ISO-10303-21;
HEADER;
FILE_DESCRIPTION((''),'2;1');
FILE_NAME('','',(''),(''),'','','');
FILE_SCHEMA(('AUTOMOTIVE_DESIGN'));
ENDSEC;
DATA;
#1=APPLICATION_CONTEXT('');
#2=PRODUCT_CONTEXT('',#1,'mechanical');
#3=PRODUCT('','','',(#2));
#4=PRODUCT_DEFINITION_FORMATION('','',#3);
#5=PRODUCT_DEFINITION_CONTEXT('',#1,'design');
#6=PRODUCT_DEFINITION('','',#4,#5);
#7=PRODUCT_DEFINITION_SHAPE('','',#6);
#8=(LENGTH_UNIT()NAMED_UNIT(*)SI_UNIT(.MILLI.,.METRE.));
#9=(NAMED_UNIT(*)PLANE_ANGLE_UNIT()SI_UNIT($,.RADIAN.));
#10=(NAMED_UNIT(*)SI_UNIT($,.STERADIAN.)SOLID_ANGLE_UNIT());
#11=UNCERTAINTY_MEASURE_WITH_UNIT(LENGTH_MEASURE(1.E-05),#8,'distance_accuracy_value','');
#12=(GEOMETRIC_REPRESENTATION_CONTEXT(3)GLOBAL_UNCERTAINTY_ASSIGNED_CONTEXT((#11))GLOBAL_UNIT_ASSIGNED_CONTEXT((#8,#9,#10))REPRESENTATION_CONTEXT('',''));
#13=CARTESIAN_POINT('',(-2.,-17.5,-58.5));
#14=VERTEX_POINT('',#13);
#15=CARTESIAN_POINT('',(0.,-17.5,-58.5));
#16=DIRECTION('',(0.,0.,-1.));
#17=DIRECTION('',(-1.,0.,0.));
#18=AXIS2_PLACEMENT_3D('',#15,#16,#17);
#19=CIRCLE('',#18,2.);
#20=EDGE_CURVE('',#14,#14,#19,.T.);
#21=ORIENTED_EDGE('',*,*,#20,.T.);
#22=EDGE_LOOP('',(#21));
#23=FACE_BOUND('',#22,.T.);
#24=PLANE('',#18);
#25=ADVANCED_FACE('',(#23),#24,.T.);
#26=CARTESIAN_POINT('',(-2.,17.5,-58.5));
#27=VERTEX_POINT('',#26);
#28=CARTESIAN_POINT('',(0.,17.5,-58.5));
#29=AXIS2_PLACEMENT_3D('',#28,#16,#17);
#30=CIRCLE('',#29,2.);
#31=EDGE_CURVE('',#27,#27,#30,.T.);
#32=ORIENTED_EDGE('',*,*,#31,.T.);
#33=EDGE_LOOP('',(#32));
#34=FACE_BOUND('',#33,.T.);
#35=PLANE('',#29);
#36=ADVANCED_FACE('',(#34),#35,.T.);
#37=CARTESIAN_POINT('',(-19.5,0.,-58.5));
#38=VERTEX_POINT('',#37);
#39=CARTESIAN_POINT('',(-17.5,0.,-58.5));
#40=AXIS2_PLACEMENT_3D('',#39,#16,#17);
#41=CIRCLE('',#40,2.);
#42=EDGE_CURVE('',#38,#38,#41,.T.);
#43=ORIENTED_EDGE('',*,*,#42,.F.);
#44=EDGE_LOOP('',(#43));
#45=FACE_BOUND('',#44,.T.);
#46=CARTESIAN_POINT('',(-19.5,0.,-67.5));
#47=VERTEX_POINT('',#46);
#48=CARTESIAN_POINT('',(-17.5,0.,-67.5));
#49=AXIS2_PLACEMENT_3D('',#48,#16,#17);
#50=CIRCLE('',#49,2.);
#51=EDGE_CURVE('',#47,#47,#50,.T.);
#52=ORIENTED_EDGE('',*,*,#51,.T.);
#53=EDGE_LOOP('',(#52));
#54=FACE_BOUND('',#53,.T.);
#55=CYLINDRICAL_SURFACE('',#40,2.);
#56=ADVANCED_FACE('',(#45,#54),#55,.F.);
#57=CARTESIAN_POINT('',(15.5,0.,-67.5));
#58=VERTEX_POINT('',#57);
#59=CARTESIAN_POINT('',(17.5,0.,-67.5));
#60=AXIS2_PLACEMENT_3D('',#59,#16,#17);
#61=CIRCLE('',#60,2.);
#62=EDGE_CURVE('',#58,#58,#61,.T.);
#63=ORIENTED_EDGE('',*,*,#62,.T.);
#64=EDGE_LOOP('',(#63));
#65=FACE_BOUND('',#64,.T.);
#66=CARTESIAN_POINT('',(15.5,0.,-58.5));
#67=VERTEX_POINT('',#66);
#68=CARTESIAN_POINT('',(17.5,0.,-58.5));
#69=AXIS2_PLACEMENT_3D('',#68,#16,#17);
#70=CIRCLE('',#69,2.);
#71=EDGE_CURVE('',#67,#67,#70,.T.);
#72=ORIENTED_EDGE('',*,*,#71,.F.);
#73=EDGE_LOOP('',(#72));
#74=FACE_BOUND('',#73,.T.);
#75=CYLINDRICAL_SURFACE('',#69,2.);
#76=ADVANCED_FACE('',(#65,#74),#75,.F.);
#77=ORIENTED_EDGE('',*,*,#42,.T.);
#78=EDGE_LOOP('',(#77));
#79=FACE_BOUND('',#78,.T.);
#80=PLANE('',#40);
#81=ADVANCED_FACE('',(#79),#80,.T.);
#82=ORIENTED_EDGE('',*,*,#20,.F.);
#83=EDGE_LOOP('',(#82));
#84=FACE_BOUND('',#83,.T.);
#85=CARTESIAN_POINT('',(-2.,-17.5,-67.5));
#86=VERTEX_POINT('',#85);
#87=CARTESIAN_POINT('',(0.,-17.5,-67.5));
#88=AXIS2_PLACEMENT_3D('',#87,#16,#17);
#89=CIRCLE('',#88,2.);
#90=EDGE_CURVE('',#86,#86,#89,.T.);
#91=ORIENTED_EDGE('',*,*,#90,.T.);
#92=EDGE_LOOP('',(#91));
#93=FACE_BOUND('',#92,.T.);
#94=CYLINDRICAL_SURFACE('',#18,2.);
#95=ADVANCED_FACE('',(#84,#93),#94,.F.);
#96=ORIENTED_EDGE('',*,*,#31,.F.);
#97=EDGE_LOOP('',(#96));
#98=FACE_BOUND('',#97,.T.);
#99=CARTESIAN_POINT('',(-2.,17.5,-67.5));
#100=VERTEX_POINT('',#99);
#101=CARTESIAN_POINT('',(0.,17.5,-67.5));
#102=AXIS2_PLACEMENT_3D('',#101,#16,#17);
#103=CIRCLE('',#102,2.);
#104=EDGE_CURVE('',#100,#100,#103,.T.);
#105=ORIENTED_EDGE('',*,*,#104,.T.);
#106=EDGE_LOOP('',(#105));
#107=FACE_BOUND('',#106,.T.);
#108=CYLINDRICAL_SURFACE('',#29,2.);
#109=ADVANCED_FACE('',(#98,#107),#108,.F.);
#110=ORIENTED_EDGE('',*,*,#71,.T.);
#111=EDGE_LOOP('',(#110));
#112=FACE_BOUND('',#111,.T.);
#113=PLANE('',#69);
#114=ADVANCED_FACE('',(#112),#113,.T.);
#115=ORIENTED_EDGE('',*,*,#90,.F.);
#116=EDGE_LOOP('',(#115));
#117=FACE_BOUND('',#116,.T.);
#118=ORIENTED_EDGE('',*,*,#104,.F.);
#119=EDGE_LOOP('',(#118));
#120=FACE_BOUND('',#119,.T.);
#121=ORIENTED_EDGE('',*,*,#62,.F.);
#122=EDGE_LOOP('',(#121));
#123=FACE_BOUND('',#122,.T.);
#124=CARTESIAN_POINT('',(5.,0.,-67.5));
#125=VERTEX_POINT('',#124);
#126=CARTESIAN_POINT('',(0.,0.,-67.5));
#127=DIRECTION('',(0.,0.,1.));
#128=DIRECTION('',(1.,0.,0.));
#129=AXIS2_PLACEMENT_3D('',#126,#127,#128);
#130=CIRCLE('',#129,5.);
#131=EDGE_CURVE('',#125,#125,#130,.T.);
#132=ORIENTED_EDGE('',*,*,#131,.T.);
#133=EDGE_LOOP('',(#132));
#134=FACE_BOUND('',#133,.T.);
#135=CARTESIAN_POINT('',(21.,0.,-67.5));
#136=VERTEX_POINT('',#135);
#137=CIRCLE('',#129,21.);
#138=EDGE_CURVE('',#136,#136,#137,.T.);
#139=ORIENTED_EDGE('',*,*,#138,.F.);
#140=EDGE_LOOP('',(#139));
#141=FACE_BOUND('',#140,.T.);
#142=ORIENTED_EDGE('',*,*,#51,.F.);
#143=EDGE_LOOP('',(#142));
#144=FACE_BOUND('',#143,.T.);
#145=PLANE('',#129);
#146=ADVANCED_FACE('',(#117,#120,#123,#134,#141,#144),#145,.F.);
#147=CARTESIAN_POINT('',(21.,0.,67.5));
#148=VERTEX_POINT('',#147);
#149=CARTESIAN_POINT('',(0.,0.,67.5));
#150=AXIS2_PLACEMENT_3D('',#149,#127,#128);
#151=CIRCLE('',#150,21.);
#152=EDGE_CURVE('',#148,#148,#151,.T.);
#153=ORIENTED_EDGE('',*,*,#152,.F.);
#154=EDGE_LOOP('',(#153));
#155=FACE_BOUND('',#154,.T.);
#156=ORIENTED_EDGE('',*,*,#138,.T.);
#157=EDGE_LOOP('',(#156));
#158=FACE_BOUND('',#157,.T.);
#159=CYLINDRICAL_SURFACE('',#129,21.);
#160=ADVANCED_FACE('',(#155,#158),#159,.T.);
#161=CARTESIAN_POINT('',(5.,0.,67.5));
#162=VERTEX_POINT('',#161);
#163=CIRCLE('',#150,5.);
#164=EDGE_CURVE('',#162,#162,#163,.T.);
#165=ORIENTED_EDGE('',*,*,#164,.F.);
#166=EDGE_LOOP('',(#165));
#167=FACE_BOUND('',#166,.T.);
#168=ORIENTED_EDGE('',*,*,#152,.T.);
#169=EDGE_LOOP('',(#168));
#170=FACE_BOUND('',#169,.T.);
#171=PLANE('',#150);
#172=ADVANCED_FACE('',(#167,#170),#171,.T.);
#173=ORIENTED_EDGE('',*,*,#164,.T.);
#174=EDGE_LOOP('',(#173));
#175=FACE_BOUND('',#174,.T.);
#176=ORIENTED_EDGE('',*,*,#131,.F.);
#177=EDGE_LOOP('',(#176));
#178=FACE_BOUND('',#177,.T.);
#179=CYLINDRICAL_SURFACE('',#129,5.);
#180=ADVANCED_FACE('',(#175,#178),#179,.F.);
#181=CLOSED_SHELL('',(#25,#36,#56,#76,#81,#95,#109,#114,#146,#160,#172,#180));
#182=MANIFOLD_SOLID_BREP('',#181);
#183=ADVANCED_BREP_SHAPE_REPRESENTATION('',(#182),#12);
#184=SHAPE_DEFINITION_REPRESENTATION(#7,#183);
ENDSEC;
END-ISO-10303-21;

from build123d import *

# Parameters (mm, degrees)
BOSS_EXTRUDE1_DEPTH      = 67.5
BOSS_EXTRUDE1_DEPTH_BACK = 67.5
SKETCH2_R                = 21
SKETCH3_R                = 5
CUT_EXTRUDE1_DEPTH       = 135
SKETCH4_R                = 2
CUT_EXTRUDE2_DEPTH       = 9


with BuildPart() as part:
    # Sketch2 → Boss-Extrude1 (new, two sides: drawn at the far end of the back side and taken through both)
    with BuildSketch(Plane.XY.offset(-BOSS_EXTRUDE1_DEPTH_BACK)):
        Circle(SKETCH2_R)
    extrude(amount=BOSS_EXTRUDE1_DEPTH + BOSS_EXTRUDE1_DEPTH_BACK)

    # Sketch3 → Cut-Extrude1 (cut)
    with BuildSketch(Plane.XY.offset(67.5)):
        Circle(SKETCH3_R)
    extrude(amount=-CUT_EXTRUDE1_DEPTH, mode=Mode.SUBTRACT)

    # Sketch4 → Cut-Extrude2 (cut)
    with BuildSketch(Plane(origin=(0, 0, -67.5), x_dir=(-1, 0, 0), z_dir=(0, 0, -1))):
        with Locations((0, 17.5)):
            Circle(SKETCH4_R)
        with Locations((17.5, 0)):
            Circle(SKETCH4_R)
        with Locations((0, -17.5)):
            Circle(SKETCH4_R)
        with Locations((-17.5, 0)):
            Circle(SKETCH4_R)
    extrude(amount=-CUT_EXTRUDE2_DEPTH, mode=Mode.SUBTRACT)


solid = part.part
